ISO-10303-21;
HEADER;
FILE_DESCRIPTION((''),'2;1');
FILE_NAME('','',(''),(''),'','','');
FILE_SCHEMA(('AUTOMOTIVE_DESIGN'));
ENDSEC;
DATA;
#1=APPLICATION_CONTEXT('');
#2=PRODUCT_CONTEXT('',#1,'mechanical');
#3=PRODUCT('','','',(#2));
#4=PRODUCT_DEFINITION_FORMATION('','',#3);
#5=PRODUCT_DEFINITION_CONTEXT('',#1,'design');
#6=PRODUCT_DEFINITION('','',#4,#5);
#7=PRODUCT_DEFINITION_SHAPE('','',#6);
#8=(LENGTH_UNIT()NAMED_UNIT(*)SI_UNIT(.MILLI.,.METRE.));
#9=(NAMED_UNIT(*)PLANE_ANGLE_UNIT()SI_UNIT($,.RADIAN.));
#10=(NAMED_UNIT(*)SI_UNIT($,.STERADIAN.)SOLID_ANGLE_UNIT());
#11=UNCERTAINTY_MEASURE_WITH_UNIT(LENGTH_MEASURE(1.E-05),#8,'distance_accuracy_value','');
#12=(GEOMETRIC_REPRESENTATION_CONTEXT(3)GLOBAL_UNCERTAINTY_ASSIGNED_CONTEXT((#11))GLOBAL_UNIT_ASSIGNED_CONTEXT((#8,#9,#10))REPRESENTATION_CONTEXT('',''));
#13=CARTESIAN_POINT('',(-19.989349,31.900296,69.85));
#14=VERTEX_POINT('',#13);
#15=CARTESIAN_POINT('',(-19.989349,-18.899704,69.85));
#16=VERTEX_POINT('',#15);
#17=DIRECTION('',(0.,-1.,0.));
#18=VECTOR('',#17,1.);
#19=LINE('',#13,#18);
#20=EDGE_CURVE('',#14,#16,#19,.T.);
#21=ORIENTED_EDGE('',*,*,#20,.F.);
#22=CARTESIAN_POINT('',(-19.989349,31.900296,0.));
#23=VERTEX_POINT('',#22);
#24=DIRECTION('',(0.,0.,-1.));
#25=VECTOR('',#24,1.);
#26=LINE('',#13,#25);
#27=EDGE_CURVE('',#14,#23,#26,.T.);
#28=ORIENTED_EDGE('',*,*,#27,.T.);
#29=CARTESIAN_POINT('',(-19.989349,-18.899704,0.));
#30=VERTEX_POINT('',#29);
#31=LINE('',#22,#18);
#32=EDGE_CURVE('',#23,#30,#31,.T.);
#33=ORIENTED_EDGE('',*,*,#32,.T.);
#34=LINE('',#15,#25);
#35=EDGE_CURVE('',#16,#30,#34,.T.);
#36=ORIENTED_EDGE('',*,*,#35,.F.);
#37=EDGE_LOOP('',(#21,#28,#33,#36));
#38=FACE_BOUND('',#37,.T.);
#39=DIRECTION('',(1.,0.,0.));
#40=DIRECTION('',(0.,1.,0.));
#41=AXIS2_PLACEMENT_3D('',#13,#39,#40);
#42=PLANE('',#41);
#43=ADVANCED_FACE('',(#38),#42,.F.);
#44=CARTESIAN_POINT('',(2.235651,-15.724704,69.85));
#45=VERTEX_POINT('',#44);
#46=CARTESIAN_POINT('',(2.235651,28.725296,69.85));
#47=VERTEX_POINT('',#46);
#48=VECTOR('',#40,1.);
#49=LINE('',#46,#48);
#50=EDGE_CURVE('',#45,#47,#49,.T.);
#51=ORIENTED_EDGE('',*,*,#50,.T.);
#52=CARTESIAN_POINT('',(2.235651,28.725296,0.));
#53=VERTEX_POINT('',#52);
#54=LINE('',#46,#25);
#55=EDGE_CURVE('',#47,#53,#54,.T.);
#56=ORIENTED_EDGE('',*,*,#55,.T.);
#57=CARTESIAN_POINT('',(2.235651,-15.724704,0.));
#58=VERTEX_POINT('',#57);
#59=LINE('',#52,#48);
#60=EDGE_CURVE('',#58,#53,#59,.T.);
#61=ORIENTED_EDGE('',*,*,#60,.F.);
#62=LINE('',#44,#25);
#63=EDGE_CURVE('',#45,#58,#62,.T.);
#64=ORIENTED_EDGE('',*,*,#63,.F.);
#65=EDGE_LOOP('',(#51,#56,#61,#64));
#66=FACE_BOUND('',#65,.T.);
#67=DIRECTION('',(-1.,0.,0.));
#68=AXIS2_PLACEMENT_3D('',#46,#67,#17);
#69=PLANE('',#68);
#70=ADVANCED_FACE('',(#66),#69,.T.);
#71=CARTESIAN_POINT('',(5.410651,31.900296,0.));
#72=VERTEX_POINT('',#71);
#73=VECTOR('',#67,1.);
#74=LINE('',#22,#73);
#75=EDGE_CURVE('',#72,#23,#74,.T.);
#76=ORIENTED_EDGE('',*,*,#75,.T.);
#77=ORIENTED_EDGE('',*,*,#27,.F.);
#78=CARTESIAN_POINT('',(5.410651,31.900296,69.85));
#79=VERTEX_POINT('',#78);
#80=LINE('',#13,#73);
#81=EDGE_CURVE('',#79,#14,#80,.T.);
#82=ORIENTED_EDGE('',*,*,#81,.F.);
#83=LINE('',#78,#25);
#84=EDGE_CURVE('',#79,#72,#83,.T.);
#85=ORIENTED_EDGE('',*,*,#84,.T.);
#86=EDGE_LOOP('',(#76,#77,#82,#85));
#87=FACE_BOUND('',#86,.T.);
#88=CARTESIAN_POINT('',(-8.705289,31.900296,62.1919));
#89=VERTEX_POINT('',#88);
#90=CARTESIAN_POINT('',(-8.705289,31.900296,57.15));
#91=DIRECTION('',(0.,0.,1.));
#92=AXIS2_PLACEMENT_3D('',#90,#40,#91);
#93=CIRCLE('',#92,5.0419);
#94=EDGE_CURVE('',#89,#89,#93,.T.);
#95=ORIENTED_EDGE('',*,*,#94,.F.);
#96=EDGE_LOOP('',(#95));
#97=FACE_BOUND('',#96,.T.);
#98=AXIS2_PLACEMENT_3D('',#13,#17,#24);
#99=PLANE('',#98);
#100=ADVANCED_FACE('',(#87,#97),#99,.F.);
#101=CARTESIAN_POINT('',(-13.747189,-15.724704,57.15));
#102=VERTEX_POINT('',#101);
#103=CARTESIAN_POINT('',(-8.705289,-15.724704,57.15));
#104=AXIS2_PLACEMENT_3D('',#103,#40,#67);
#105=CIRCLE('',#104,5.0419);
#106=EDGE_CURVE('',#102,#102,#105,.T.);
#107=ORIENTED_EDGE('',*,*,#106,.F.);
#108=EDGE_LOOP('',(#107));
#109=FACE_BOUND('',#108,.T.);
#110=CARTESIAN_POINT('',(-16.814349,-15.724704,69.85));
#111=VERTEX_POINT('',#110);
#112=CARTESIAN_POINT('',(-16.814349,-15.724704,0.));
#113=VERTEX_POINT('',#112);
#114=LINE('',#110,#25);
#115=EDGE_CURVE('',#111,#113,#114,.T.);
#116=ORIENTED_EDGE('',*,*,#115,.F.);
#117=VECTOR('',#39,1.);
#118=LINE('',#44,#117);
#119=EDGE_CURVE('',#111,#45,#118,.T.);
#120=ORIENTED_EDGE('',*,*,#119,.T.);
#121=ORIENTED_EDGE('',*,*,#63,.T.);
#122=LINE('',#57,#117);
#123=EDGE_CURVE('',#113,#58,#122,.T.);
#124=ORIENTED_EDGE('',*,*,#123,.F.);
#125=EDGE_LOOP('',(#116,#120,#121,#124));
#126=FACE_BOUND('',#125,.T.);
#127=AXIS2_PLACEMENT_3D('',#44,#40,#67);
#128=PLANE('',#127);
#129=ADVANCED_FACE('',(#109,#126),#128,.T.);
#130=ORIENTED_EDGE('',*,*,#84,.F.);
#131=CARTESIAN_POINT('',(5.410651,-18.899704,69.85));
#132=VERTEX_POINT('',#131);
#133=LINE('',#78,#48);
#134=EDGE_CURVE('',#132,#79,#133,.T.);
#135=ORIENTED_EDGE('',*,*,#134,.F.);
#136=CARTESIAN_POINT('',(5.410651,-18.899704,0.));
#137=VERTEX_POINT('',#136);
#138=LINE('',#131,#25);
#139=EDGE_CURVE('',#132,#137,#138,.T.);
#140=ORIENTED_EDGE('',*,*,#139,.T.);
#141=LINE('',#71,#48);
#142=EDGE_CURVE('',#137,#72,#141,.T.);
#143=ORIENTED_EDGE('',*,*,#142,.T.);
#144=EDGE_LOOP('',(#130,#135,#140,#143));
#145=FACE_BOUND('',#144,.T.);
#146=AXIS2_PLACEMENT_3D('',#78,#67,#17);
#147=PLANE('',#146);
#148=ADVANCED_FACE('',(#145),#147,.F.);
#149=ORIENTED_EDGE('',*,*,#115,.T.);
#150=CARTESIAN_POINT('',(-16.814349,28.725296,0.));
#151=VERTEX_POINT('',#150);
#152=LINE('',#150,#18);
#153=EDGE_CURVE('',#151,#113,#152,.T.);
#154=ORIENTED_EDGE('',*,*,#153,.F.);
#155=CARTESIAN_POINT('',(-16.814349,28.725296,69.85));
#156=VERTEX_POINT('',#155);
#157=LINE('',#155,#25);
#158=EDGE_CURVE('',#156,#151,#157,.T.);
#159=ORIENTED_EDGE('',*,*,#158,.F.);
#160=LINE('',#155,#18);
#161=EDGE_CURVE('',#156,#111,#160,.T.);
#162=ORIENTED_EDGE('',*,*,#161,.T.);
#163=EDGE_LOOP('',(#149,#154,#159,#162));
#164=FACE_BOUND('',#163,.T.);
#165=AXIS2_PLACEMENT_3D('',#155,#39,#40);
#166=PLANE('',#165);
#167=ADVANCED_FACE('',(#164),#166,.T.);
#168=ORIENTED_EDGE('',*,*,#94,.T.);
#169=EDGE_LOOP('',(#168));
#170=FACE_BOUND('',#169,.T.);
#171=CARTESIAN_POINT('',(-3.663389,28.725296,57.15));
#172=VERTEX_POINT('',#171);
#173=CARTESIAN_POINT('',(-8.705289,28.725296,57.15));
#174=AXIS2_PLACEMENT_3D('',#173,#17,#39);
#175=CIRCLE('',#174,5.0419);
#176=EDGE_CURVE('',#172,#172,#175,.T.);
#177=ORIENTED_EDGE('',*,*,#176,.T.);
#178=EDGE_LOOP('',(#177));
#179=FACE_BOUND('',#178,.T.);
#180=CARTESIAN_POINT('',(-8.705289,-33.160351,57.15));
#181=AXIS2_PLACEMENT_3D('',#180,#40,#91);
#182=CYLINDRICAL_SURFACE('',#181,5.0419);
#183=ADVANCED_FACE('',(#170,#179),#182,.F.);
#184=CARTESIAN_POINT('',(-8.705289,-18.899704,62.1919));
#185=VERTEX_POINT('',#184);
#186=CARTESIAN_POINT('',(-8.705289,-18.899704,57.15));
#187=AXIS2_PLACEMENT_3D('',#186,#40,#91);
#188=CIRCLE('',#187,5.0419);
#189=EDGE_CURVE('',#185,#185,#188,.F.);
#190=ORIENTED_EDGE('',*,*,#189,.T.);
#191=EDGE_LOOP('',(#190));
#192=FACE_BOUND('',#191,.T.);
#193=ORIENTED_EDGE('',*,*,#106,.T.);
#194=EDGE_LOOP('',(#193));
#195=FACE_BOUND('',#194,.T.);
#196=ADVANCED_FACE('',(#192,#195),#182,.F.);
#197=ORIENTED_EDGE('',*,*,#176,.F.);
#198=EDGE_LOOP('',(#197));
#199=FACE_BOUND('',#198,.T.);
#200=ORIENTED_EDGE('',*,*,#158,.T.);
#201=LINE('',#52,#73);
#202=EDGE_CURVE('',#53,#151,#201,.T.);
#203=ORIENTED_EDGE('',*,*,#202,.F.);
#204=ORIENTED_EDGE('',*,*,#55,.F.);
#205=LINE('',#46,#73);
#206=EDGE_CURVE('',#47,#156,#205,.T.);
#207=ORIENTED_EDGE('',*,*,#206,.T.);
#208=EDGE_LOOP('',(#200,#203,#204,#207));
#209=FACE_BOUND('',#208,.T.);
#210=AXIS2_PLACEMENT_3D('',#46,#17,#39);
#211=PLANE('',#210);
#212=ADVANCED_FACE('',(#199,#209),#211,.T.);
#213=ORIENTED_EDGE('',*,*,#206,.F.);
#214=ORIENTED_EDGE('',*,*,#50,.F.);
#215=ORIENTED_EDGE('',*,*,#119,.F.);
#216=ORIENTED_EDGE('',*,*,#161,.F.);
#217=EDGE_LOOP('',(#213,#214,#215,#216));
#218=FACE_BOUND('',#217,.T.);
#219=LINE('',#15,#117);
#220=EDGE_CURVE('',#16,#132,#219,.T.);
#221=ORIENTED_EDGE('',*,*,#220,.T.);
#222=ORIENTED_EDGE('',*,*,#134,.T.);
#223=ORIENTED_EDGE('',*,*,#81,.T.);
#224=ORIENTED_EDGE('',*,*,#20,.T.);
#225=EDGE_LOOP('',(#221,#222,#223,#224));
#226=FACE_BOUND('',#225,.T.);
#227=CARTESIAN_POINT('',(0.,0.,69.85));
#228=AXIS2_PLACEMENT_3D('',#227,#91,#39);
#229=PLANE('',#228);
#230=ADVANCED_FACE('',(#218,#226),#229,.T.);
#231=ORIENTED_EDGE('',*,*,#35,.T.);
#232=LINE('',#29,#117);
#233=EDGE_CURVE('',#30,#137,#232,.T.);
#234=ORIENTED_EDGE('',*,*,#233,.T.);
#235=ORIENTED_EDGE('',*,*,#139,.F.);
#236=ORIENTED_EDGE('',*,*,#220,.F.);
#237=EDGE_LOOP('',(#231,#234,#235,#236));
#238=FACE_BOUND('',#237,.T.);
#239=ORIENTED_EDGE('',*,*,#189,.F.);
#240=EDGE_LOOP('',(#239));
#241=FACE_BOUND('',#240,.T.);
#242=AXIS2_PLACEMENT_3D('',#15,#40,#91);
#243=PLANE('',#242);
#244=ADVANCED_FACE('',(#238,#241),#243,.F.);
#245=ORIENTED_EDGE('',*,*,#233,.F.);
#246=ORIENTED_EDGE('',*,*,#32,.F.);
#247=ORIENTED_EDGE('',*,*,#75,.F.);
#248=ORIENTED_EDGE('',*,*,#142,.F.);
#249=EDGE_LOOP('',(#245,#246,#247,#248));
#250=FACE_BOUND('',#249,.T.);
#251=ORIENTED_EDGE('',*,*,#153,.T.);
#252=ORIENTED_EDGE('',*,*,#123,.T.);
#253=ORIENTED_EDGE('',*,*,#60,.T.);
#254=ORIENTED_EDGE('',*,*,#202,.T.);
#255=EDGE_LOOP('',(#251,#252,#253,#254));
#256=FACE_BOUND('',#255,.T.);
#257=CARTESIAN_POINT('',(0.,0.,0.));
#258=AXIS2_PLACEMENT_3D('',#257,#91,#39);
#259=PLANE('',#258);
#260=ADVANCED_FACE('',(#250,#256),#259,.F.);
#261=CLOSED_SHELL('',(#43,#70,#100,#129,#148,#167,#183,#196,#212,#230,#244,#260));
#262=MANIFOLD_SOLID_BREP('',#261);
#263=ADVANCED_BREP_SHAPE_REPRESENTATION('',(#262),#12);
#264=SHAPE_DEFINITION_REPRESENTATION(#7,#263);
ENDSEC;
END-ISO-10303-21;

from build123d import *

# Parameters (mm, degrees)
SKETCH1_W           = 25.4
SKETCH1_H           = 50.8
SKETCH1_W_2         = 19.05
SKETCH1_H_2         = 44.45
BOSS_EXTRUDE1_DEPTH = 69.85
CUT_EXTRUDE2_REACH  = 90.652
SKETCH4_R           = 5.0419


with BuildPart() as part:
    # Sketch1 → Boss-Extrude1 (new body)
    with BuildSketch(Plane.XY):
        with Locations((-7.289349112, 6.500295858)):
            Rectangle(SKETCH1_W, SKETCH1_H)
        with Locations((-7.289349112, 6.500295858)):
            Rectangle(SKETCH1_W_2, SKETCH1_H_2, mode=Mode.SUBTRACT)
    extrude(amount=BOSS_EXTRUDE1_DEPTH)

    # Cut-Extrude2: up to this face of the body (flat: up to its plane)
    cut_extrude2_end = Plane(part.part.faces().sort_by_distance((-7.289349112, -18.899704142, 34.925))[0])
    # Sketch4 → Cut-Extrude2 (cut, up to the picked face)
    with BuildSketch(Plane(origin=(0, 31.900295858, 0), x_dir=(1, 0, 0), z_dir=(0, 1, 0)), mode=Mode.PRIVATE) as cut_extrude2_sk1:
        with Locations(Location((-8.705288844, -57.15, 0), (0, 0, 270))):
            Circle(SKETCH4_R)
    cut_extrude2_tool1 = split(extrude(cut_extrude2_sk1.sketch, amount=-CUT_EXTRUDE2_REACH, mode=Mode.PRIVATE), bisect_by=cut_extrude2_end, keep=Keep.BOTH, mode=Mode.PRIVATE)
    add(cut_extrude2_tool1.solids().sort_by(Axis((-8.705289, 31.900296, 57.15), (0, -1, 0)))[0], mode=Mode.SUBTRACT)


solid = part.part
